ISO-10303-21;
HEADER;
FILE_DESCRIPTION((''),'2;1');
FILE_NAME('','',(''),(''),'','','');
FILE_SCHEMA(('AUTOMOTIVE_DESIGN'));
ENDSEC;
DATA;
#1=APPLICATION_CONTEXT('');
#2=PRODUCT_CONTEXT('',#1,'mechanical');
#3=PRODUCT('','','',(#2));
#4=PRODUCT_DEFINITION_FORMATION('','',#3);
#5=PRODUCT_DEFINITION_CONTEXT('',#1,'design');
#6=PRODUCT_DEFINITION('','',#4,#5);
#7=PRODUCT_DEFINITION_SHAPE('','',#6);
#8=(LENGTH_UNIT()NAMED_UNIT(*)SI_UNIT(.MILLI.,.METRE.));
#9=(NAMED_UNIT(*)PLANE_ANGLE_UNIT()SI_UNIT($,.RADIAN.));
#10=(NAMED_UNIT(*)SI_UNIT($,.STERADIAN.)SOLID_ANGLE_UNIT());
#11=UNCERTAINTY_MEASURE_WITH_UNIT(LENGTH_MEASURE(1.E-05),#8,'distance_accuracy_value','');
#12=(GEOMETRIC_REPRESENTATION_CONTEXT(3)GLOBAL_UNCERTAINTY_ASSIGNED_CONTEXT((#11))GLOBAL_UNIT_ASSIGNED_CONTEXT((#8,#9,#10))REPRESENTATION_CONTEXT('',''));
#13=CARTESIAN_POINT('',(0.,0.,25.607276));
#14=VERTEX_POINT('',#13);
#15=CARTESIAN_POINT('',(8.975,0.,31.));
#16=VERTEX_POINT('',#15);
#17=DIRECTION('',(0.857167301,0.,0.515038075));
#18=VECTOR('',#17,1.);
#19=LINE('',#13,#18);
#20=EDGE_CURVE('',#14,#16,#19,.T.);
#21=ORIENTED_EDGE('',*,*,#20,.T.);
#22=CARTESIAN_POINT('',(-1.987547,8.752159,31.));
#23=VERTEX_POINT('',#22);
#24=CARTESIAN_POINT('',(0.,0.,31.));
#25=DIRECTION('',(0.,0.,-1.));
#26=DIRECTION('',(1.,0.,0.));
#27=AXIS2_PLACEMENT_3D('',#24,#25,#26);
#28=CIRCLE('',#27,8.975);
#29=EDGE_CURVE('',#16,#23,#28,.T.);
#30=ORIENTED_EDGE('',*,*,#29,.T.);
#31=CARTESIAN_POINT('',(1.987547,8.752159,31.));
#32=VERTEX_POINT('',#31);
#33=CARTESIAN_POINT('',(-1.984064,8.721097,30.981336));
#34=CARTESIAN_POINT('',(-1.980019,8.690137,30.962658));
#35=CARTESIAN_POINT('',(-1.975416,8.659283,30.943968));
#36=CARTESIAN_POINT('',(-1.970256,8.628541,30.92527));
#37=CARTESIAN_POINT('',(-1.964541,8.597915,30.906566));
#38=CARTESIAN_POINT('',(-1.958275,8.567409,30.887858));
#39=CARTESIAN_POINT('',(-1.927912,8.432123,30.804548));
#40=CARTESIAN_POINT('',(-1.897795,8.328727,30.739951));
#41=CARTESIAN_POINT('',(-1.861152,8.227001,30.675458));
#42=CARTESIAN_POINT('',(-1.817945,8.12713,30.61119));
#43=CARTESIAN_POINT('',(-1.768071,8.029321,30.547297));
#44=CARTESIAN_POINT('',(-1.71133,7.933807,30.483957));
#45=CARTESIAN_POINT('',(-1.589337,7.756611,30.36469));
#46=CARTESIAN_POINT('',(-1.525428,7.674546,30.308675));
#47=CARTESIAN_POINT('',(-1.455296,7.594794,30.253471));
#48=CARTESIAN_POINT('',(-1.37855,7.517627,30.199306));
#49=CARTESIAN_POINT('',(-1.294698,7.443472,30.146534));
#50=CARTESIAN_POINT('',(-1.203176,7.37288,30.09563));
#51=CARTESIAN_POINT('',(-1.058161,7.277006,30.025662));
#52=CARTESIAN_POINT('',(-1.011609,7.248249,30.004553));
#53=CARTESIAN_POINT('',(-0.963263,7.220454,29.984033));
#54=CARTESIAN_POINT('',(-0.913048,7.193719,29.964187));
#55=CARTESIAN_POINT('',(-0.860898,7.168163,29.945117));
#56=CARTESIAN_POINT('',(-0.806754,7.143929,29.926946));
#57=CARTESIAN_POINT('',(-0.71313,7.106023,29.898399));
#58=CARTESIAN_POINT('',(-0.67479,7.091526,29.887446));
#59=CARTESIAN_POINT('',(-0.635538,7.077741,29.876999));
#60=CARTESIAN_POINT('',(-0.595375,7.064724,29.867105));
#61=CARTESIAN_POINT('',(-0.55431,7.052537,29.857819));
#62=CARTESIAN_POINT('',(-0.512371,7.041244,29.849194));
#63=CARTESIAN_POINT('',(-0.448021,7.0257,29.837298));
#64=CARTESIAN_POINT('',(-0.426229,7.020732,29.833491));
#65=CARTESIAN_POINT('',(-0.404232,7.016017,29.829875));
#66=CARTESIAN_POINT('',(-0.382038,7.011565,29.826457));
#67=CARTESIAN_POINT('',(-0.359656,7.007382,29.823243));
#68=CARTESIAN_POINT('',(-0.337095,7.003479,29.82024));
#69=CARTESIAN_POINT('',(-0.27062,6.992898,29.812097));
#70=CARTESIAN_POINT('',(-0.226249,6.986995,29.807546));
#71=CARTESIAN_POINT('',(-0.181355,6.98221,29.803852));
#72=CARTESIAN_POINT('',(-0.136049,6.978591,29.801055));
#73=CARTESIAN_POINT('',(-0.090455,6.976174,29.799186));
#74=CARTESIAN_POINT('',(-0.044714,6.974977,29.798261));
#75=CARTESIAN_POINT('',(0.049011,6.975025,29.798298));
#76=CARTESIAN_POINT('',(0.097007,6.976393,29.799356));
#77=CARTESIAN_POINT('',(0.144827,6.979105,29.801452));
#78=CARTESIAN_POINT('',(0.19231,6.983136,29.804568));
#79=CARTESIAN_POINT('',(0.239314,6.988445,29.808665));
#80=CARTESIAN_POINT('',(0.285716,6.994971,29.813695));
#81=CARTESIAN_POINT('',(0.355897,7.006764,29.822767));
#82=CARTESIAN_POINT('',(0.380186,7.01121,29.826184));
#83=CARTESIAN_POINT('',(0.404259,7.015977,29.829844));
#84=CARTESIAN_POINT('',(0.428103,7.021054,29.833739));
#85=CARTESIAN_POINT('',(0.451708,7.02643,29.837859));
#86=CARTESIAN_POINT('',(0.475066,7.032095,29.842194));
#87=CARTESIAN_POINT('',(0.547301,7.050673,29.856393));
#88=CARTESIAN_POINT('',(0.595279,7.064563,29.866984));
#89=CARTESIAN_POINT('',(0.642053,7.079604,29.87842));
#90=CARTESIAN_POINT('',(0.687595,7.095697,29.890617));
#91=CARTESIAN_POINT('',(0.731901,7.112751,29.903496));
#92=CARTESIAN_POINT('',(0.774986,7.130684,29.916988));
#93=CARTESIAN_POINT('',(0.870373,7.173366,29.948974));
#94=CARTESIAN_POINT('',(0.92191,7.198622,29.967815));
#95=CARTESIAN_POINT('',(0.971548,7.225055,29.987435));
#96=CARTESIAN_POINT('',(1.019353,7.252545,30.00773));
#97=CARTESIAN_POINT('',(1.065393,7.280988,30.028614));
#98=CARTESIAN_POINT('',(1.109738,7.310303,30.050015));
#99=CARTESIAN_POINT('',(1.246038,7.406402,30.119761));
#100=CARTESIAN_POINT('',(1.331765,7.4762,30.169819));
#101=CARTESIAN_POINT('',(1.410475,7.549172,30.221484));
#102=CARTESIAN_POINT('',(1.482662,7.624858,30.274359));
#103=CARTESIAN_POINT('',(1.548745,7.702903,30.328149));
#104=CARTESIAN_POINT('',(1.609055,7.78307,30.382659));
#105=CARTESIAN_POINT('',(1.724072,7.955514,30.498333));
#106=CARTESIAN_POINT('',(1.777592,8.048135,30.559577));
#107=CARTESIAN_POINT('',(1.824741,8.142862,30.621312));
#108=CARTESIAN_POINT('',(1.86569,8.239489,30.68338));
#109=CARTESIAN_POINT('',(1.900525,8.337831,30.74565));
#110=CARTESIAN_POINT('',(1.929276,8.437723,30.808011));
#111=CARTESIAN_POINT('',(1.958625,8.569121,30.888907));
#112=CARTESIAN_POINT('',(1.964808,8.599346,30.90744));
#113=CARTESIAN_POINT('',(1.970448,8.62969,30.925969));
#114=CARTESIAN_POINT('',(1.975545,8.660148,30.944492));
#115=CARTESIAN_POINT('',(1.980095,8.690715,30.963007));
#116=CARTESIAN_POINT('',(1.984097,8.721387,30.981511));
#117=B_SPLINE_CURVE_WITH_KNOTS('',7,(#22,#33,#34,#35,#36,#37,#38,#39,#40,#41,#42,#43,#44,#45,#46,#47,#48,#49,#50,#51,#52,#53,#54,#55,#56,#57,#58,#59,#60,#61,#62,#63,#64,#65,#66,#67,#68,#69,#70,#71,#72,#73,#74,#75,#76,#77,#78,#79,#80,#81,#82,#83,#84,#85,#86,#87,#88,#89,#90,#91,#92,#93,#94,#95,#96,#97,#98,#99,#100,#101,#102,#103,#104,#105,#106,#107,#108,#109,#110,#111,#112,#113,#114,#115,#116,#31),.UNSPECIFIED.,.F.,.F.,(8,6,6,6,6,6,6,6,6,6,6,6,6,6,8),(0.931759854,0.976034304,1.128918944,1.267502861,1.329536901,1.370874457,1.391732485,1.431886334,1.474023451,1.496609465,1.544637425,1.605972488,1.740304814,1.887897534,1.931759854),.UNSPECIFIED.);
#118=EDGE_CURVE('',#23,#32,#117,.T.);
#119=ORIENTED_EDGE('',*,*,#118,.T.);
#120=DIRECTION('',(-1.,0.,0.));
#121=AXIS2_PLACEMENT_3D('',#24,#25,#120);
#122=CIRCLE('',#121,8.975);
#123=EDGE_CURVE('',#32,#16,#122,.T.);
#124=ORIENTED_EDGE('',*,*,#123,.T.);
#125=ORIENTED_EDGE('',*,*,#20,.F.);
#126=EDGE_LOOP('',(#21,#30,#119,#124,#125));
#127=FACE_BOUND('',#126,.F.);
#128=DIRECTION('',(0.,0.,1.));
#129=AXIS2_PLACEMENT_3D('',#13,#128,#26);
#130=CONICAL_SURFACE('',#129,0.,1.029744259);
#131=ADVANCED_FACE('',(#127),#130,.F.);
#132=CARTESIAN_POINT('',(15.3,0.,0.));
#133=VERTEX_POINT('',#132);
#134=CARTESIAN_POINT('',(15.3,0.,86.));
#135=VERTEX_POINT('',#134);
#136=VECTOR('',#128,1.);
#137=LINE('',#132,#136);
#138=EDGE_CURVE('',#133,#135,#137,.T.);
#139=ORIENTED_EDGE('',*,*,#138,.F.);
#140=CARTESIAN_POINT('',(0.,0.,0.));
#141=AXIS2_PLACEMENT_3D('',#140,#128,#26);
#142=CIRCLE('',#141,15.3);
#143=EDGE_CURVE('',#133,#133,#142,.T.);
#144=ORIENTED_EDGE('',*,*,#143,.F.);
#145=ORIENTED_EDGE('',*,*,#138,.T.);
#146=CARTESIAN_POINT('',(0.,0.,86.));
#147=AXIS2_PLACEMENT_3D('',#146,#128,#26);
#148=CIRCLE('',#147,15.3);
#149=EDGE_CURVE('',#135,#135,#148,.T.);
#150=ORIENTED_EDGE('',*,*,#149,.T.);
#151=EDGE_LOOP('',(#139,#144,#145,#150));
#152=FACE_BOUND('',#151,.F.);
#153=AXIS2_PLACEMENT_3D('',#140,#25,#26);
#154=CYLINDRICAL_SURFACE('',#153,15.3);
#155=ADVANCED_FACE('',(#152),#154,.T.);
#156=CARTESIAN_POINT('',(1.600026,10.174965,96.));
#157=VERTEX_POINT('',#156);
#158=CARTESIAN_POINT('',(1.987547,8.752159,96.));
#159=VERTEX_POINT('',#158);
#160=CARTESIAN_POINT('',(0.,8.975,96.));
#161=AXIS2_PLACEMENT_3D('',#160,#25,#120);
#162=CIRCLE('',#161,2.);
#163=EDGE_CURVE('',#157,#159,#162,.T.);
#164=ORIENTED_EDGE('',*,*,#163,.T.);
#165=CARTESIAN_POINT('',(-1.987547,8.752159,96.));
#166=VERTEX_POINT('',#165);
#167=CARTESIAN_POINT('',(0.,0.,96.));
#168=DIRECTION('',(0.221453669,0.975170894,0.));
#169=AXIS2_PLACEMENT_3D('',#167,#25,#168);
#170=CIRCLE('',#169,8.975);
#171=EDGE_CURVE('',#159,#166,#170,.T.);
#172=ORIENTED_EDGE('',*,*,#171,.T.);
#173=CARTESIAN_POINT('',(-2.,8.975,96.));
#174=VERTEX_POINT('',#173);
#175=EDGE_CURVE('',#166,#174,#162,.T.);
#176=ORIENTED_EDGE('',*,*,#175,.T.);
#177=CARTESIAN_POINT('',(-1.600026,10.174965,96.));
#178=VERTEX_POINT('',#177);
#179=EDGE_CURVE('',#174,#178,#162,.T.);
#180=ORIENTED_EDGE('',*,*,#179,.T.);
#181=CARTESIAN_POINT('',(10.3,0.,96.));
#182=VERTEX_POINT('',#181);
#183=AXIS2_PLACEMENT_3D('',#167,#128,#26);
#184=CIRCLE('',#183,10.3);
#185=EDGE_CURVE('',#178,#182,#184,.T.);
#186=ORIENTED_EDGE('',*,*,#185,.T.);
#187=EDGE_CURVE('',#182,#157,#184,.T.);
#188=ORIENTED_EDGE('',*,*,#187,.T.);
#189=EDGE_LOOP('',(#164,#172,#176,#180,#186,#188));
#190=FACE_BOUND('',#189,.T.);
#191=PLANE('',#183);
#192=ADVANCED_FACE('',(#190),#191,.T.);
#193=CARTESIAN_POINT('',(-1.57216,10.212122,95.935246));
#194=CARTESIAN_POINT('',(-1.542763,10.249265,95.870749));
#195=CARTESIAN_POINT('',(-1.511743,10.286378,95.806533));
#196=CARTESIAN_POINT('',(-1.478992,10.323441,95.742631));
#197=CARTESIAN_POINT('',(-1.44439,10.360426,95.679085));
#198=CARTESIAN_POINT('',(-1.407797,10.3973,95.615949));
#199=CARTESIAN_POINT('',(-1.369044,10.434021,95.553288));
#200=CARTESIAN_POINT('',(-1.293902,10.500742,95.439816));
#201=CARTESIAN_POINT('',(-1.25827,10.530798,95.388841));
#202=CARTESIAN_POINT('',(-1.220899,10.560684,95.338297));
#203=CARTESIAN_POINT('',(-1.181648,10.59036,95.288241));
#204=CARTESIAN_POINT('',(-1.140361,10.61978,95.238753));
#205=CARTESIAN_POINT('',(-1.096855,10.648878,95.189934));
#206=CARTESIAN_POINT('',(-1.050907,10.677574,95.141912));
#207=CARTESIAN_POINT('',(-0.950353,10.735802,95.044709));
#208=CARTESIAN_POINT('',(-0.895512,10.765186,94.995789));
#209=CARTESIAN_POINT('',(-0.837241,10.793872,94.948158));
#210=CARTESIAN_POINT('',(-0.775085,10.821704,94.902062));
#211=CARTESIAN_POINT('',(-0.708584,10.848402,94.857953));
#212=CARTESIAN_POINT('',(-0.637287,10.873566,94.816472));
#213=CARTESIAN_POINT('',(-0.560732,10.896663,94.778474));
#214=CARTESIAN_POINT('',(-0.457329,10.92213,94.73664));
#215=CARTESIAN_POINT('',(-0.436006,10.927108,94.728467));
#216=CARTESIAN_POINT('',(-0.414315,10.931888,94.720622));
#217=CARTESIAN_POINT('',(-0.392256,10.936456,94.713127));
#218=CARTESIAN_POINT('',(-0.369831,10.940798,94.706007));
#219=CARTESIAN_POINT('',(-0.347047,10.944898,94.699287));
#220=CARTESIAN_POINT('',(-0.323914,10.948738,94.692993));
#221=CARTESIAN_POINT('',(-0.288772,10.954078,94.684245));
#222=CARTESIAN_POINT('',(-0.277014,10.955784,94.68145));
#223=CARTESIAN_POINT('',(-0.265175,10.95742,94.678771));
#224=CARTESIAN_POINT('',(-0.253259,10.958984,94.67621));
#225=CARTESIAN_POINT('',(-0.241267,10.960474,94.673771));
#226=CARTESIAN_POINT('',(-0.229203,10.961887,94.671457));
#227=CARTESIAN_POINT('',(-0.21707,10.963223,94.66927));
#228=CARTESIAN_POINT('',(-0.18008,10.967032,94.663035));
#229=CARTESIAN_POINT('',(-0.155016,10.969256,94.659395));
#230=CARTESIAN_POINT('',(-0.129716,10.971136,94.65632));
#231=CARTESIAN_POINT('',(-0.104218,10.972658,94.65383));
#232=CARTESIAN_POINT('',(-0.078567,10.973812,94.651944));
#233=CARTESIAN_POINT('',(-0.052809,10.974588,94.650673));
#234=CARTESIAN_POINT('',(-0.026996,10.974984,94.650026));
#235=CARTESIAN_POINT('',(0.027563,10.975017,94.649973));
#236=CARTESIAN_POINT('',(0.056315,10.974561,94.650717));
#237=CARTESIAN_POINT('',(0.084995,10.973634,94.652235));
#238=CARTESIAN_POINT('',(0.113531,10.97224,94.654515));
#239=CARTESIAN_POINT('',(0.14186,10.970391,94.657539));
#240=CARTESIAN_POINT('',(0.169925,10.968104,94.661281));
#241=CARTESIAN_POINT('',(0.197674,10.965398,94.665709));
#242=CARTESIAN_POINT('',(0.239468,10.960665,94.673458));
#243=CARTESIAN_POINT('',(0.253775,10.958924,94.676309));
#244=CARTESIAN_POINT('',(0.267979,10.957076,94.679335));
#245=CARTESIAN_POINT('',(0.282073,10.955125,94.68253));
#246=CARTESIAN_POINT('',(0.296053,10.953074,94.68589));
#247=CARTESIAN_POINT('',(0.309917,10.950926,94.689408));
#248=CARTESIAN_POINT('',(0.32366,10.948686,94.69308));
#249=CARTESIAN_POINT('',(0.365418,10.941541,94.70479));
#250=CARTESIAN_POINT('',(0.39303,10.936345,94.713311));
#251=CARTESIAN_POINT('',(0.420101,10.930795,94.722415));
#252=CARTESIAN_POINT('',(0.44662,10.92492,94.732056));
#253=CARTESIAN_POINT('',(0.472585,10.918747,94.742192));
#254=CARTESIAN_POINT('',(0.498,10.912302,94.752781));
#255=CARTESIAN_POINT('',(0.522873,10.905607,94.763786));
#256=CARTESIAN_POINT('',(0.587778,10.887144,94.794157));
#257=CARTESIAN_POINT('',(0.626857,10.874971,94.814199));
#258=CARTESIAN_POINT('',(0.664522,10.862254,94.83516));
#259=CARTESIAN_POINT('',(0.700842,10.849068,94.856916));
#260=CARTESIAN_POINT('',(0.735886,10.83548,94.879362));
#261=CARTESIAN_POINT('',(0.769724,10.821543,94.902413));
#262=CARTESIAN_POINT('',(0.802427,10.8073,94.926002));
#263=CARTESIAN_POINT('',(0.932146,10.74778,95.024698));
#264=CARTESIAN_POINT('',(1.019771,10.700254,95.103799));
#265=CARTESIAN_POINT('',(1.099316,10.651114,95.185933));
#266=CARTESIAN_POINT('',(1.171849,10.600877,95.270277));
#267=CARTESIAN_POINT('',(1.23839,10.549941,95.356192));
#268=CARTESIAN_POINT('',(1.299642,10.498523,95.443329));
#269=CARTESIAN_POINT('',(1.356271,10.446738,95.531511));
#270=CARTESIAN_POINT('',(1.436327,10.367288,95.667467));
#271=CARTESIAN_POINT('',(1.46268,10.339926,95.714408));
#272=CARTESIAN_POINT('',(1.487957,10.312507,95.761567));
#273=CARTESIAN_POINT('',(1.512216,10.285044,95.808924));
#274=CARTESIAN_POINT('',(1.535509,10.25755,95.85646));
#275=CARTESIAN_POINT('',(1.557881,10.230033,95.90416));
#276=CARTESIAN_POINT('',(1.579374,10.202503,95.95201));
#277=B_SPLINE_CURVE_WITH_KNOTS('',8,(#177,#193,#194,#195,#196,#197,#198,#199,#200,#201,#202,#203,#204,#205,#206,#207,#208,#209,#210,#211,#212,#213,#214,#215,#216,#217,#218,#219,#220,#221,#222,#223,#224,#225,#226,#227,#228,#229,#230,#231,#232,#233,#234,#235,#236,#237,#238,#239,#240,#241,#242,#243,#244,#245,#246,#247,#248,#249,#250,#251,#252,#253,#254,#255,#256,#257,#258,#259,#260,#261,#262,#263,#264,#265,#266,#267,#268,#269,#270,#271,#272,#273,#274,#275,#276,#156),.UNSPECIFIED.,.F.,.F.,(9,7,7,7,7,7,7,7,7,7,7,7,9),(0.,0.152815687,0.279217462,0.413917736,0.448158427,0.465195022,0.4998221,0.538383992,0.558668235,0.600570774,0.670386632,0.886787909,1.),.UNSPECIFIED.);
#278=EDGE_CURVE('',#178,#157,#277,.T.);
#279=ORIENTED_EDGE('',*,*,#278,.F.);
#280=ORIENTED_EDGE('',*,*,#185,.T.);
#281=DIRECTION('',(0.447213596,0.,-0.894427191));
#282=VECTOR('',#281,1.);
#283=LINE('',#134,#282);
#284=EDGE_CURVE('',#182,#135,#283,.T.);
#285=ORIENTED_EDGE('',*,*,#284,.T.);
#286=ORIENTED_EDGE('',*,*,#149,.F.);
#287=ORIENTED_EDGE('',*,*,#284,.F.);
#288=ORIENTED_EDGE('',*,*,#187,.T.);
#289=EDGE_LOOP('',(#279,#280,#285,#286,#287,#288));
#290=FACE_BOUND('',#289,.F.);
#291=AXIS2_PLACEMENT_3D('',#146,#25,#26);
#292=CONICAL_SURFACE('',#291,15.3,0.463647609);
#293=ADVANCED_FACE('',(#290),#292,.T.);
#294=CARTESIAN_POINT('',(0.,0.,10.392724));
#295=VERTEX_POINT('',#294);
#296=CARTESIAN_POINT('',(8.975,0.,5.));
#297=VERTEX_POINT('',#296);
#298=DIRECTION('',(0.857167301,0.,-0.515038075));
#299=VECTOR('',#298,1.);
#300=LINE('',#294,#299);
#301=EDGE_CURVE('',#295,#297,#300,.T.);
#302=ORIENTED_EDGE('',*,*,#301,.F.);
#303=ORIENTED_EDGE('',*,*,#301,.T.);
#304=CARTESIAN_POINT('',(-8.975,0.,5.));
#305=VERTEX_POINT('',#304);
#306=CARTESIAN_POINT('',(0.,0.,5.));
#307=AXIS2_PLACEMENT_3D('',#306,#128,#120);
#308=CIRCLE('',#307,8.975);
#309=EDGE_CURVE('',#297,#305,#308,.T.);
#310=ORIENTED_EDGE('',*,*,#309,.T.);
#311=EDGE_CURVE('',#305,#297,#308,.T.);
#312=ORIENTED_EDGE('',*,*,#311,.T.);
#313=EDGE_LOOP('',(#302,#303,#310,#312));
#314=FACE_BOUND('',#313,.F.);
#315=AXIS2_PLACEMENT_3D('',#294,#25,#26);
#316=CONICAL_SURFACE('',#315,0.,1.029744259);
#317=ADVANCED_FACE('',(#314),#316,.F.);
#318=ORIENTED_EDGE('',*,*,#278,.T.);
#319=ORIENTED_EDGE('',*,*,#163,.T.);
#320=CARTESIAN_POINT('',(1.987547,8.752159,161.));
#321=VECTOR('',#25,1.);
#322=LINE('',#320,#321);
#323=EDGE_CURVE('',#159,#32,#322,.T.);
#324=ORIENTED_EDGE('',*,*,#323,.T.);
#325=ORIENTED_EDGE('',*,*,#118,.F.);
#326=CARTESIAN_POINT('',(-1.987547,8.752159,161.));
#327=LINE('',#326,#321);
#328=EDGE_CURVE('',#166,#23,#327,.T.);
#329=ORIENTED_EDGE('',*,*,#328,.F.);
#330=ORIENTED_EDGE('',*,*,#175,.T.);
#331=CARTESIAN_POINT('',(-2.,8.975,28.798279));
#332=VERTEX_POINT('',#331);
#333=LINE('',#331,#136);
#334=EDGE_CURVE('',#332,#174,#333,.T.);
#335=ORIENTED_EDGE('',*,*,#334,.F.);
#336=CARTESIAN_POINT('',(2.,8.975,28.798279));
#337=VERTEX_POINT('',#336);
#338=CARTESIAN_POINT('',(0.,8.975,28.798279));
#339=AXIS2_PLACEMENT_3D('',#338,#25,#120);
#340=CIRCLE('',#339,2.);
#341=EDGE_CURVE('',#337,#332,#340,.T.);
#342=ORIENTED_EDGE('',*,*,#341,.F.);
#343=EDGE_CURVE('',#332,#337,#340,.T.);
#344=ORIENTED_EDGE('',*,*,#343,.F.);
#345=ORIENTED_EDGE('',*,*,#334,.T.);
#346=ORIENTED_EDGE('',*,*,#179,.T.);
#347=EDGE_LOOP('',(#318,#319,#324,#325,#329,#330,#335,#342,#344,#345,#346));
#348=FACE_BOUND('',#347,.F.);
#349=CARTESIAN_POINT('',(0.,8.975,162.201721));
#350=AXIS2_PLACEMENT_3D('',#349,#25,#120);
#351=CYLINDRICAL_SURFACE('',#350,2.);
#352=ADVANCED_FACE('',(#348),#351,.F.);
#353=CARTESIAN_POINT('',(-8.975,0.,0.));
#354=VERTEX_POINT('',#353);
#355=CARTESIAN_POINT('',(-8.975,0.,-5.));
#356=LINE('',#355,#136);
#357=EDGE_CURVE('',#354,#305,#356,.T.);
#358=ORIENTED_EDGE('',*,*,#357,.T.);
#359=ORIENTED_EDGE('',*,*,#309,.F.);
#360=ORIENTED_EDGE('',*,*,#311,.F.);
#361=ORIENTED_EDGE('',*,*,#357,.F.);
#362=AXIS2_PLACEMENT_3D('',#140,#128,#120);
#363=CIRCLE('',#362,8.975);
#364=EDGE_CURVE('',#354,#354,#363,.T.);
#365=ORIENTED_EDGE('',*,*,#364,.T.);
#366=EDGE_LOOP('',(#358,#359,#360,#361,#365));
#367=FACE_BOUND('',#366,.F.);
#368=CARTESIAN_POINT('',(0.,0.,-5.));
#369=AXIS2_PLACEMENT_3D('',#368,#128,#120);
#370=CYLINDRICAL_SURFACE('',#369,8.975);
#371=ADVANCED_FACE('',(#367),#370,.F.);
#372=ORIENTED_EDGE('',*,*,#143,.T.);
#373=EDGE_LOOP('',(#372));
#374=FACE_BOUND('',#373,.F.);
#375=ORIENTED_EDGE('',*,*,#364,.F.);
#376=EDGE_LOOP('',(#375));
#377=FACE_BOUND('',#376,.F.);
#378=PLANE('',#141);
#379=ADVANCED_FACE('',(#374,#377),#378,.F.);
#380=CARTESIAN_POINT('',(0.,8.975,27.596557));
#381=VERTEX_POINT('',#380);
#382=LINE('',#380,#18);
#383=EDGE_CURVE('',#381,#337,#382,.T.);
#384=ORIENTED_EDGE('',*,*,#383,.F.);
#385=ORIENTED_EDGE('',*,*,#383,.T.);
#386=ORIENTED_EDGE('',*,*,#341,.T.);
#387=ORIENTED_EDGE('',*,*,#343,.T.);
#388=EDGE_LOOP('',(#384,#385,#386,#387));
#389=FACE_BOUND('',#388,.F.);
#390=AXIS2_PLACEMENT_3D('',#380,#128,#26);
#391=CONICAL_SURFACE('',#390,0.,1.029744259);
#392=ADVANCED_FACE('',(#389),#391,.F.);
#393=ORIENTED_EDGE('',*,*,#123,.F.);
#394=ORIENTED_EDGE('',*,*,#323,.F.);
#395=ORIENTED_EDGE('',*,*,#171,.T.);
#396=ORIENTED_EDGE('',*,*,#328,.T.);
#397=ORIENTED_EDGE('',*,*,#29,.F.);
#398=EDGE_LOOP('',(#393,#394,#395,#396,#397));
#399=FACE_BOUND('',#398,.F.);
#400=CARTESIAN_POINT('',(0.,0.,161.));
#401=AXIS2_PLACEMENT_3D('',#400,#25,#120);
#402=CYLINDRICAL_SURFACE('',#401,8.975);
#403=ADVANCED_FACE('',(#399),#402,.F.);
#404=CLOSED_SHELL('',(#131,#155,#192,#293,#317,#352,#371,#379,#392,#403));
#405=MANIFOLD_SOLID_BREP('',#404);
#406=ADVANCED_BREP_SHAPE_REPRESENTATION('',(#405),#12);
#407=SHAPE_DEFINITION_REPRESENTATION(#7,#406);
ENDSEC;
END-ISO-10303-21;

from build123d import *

# Parameters (mm, degrees)
F0_R     = 15.3
F1_DEPTH = 96
F3_D     = 17.95
F3_DEPTH = 65
F3_TIP   = 5.3927240558
F4_SIZE2 = 10
F4_SIZE  = 5
F6_D     = 4
F6_DEPTH = 1
F6_START = 66.2017213
F6_TIP   = 1.2017212381
F8_D     = 17.95
F8_DEPTH = 5
F8_TIP   = 5.3927240558


with BuildPart() as f1:
    # F0 (on Top) → F1 (new body)
    with BuildSketch(Plane.XY):
        Circle(F0_R)
    extrude(amount=F1_DEPTH)

    # F3
    with Locations(Plane.XY.offset(96)):
        with Locations((0, 0)):
            Hole(F3_D / 2, depth=F3_DEPTH)
            with Locations((0, 0, -(F3_DEPTH + F3_TIP / 2))):  # 118° drill point
                Cone(0, F3_D / 2, F3_TIP, mode=Mode.SUBTRACT)

    # F4
    f4_edges = [f1.edges().sort_by_distance(p)[0] for p in [
        (-15.3, 0, 96),
    ]]
    f4_side = f1.faces().sort_by_distance((-14.867251, 0, 96))[0]
    chamfer(f4_edges, length=F4_SIZE, length2=F4_SIZE2, reference=f4_side)

    # F6
    # its depths count from where the whole tool has entered the part; down to there all is cleared
    with Locations(Plane.XY.offset(96)):
        with Locations((0, 8.975)):
            Hole(F6_D / 2, depth=F6_START)
    with Locations(Plane.XY.offset(96).offset(-F6_START)):
        with Locations((0, 8.975)):
            Hole(F6_D / 2, depth=F6_DEPTH)
            with Locations((0, 0, -(F6_DEPTH + F6_TIP / 2))):  # 118° drill point
                Cone(0, F6_D / 2, F6_TIP, mode=Mode.SUBTRACT)

    # F8
    with Locations(Plane(origin=(0, 0, 0), x_dir=(1, 0, 0), z_dir=(0, 0, -1))):
        with Locations((0, 0)):
            Hole(F8_D / 2, depth=F8_DEPTH)
            with Locations((0, 0, -(F8_DEPTH + F8_TIP / 2))):  # 118° drill point
                Cone(0, F8_D / 2, F8_TIP, mode=Mode.SUBTRACT)


solid = f1.part
